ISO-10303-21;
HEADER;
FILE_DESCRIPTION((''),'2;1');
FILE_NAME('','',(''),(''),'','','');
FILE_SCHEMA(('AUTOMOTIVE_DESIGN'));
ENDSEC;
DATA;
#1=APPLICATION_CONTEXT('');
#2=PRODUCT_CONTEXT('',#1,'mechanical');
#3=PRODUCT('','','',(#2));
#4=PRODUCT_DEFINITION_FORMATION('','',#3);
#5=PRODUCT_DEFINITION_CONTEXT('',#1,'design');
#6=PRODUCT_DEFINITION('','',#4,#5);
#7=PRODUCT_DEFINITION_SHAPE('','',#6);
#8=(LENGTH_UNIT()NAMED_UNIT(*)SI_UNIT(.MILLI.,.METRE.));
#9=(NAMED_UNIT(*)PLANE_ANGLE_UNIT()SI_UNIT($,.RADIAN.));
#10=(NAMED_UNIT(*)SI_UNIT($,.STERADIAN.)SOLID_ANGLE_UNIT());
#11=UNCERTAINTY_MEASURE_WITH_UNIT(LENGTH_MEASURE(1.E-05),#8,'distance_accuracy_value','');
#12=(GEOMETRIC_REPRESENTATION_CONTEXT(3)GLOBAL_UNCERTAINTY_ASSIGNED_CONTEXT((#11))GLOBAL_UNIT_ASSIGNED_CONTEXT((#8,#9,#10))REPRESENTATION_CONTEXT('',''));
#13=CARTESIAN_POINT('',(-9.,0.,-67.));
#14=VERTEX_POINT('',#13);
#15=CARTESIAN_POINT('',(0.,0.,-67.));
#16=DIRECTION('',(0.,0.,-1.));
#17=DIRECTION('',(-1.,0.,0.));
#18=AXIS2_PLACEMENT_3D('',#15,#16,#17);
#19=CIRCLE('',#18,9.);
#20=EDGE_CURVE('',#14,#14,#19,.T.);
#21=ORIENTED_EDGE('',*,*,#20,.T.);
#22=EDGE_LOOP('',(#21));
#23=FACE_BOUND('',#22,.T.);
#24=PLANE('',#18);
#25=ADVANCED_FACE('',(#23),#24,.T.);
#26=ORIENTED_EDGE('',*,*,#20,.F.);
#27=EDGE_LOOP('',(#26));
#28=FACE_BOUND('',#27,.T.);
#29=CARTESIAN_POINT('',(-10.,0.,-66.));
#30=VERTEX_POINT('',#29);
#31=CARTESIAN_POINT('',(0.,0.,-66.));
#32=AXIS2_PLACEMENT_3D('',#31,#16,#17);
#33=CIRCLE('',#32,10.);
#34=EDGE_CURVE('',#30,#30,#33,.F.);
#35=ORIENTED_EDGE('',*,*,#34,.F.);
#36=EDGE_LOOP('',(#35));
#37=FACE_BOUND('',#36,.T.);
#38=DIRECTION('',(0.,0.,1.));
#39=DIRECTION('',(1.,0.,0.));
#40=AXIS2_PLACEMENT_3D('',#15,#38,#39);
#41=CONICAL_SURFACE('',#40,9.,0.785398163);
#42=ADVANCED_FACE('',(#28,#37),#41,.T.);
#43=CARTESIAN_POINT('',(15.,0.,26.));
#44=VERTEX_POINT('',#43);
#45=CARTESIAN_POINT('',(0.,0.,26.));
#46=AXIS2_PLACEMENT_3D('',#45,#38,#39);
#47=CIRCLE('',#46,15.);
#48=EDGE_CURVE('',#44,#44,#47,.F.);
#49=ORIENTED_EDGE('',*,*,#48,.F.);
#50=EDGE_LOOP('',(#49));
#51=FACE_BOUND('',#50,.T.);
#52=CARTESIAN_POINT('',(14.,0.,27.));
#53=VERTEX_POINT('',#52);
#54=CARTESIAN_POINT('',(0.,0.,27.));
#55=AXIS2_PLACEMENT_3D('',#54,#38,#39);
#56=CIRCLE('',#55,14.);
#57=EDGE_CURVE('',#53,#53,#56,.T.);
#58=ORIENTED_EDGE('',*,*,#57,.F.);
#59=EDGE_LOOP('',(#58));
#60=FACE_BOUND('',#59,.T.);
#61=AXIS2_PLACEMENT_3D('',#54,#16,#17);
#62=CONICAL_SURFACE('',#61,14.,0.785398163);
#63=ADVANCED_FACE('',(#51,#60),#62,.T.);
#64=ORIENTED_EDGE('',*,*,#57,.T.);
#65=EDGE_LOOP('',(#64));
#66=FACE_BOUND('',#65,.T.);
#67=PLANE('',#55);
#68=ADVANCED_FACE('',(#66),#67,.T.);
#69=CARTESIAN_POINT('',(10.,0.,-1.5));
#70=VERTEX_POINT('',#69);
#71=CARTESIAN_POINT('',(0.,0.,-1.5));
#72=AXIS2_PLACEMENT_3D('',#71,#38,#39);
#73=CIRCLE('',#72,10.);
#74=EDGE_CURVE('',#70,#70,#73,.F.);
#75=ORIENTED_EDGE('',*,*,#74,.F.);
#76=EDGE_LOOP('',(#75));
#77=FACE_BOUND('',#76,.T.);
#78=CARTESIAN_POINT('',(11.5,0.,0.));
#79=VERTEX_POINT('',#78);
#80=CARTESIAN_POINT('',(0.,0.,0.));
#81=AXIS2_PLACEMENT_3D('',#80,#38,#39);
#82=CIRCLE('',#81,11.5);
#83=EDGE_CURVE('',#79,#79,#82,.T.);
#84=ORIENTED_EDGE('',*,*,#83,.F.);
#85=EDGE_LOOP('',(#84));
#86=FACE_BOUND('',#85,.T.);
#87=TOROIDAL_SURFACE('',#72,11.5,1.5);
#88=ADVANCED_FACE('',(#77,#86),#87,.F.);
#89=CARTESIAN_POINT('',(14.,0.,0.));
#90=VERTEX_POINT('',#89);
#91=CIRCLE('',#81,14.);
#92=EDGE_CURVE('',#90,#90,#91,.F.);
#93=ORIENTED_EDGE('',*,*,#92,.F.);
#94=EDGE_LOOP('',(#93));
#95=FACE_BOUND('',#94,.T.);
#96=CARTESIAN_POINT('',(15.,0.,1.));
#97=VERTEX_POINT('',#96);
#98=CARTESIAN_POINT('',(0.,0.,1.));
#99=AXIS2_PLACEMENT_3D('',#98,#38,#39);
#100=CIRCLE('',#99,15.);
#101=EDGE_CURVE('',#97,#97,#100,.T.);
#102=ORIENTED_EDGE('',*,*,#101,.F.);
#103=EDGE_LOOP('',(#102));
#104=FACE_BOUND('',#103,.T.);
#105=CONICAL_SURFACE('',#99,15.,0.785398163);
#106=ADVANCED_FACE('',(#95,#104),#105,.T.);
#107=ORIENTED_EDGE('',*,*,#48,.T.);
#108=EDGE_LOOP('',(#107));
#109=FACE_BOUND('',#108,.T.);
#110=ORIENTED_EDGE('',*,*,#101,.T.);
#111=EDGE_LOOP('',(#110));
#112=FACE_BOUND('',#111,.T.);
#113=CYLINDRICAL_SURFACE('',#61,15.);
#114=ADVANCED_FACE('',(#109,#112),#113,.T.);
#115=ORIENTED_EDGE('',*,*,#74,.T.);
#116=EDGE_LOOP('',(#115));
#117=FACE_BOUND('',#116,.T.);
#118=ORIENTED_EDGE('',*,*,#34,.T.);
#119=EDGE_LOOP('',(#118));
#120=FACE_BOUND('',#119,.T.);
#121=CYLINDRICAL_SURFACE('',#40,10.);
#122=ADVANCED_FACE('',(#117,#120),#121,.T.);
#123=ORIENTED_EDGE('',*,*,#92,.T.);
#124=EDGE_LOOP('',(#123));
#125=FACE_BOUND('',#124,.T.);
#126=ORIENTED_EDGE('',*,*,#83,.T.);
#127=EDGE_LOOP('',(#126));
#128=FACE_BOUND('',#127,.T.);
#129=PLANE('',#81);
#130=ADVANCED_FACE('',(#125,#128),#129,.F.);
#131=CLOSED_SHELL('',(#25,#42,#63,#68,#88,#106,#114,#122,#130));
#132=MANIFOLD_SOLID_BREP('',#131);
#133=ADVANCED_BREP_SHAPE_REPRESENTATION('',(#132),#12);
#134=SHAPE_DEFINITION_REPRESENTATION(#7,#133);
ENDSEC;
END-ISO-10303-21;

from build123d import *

# Parameters (mm, degrees)
ESQUISSE1_R        = 15
BOSS_EXTRU_1_DEPTH = 27
ESQUISSE2_R        = 10
BOSS_EXTRU_2_DEPTH = 67
CHANFREIN1_SIZE    = 1
CONG_1_R           = 1.5


with BuildPart() as part:
    # Esquisse1 → Boss.-Extru.1 (new body)
    with BuildSketch(Plane.XY):
        Circle(ESQUISSE1_R)
    extrude(amount=BOSS_EXTRU_1_DEPTH)

    # Esquisse2 → Boss.-Extru.2 (add)
    with BuildSketch(Plane(origin=(0, 0, 0), x_dir=(-1, 0, 0), z_dir=(0, 0, -1))):
        with Locations(Location((0, 0, 0), (0, 0, 180))):  # turned: the seam where the file's is
            Circle(ESQUISSE2_R)
    extrude(amount=BOSS_EXTRU_2_DEPTH)

    # Chanfrein1
    chanfrein1_edges = [part.edges().sort_by_distance(p)[0] for p in [
        (-15, 0, 0),
        (-15, 0, 27),
        (-10, 0, -67),
    ]]
    chamfer(chanfrein1_edges, length=CHANFREIN1_SIZE)

    # Congé1
    cong_1_edges = [part.edges().sort_by_distance(p)[0] for p in [
        (-10, 0, 0),
    ]]
    fillet(cong_1_edges, radius=CONG_1_R)


solid = part.part
